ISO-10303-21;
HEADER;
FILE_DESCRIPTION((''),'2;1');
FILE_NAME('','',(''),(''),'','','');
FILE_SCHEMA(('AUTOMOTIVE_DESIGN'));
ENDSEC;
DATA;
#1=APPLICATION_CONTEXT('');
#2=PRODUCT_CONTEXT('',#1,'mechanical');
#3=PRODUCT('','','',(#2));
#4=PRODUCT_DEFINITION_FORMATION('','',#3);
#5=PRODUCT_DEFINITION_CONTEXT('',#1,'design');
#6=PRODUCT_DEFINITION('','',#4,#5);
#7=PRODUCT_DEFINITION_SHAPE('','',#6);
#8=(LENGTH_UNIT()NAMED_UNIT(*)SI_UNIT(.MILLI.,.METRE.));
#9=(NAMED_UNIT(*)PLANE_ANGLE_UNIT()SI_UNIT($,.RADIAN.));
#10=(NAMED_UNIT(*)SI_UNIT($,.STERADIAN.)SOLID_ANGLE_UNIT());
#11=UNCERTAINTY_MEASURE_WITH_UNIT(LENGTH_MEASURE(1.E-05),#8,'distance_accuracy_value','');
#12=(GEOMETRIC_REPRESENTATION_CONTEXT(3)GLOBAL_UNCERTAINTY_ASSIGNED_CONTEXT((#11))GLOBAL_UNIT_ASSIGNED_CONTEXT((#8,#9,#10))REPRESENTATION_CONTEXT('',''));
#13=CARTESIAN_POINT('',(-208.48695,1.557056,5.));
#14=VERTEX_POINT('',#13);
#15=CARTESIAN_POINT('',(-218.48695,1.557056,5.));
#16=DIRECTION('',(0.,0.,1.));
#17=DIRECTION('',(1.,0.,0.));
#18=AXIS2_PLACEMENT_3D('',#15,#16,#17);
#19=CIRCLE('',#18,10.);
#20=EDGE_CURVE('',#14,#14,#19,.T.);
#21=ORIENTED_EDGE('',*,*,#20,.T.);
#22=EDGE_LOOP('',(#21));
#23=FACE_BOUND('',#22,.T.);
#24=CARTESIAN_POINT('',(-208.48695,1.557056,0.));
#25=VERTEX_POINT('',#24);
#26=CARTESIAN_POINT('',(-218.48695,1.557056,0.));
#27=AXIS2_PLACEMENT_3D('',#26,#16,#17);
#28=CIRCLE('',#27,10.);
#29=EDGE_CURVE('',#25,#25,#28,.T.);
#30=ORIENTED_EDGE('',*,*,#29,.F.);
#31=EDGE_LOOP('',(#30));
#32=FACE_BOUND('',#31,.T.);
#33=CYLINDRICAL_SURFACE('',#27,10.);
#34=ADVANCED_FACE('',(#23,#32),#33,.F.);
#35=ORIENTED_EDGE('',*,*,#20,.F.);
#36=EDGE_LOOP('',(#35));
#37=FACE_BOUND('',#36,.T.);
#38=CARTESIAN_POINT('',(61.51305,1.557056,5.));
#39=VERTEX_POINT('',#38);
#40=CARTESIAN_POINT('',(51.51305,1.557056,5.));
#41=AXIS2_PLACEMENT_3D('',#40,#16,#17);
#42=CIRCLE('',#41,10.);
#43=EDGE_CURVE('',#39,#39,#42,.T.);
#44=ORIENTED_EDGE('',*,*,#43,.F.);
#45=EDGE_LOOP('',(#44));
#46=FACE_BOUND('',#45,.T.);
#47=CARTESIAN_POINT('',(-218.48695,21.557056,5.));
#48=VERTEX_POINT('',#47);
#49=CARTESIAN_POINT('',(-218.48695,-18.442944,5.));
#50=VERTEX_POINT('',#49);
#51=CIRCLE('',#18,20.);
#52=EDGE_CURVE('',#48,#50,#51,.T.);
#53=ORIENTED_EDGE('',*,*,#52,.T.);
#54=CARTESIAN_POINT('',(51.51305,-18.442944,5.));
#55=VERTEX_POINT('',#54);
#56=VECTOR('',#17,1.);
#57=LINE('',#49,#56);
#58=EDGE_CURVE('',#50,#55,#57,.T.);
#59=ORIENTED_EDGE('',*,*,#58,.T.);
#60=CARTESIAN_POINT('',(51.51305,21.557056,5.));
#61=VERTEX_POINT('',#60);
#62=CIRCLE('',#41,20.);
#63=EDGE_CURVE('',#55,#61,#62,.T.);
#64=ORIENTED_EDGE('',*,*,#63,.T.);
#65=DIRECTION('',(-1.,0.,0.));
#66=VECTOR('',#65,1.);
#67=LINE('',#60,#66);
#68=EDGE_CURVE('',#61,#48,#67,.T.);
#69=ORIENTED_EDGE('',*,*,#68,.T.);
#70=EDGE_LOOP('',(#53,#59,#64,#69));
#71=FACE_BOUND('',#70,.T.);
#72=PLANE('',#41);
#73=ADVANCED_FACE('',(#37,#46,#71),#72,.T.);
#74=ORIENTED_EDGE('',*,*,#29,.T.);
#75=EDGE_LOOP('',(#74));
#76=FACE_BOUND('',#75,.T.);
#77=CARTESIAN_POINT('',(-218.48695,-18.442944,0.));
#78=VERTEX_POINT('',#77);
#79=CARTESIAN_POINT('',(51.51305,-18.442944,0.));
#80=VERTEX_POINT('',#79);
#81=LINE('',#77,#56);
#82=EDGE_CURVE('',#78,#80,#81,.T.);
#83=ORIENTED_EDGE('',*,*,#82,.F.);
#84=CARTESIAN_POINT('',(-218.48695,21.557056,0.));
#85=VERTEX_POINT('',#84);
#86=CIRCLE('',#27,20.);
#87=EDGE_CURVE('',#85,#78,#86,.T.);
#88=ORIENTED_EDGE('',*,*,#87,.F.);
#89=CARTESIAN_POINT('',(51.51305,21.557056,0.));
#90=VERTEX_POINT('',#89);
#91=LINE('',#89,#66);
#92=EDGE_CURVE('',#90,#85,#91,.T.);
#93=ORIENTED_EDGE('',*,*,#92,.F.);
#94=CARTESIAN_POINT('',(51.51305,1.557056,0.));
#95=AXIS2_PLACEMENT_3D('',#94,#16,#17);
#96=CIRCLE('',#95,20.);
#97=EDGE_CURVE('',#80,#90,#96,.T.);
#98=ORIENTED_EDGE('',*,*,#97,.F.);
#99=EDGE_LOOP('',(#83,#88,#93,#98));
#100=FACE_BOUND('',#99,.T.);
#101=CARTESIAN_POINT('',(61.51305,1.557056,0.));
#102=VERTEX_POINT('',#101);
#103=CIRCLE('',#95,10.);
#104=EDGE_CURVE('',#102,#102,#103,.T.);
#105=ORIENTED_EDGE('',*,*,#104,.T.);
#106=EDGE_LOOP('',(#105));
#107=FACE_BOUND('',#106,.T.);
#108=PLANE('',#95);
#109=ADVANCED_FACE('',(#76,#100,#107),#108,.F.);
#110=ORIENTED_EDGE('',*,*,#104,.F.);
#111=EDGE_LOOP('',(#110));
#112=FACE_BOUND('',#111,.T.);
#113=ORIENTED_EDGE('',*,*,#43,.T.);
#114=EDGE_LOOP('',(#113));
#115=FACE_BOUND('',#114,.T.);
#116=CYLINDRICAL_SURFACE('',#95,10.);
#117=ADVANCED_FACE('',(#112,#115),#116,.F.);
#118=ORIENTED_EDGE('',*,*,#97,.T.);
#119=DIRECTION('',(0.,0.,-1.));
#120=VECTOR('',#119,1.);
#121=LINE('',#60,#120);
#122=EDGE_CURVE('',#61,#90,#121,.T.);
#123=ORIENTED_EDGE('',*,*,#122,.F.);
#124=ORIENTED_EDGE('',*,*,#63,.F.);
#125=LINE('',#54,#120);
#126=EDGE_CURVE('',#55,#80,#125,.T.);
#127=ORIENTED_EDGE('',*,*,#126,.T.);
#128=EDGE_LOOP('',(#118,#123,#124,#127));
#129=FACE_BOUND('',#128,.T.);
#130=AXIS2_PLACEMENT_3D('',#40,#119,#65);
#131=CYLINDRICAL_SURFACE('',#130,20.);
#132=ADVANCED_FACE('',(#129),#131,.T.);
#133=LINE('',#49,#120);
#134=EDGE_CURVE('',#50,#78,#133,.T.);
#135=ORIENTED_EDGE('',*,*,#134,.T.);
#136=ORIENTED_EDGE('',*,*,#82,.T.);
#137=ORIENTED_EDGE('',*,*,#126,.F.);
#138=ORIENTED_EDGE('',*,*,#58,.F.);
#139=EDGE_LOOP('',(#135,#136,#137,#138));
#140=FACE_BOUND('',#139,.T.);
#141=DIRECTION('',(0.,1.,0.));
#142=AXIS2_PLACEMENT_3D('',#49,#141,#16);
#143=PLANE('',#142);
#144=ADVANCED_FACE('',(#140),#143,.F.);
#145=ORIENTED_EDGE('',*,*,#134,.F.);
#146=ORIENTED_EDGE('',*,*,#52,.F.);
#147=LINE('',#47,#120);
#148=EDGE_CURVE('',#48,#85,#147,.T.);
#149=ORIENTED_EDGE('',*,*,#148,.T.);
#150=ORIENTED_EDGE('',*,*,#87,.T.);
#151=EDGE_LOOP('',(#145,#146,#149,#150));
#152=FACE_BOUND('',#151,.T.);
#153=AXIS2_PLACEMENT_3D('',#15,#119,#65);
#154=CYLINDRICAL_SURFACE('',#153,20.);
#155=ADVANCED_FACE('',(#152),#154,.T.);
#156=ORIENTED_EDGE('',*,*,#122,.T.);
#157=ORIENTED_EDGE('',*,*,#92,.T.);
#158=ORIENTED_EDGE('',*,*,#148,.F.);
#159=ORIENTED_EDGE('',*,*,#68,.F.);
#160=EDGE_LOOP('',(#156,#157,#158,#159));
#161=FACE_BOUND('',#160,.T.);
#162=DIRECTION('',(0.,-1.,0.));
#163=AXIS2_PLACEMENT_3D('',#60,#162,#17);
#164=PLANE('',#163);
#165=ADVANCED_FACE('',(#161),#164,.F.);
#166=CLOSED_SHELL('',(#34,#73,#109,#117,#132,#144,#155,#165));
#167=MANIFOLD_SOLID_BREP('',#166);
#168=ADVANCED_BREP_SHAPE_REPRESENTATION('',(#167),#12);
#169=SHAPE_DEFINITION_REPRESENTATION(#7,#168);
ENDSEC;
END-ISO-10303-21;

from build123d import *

# Parameters (mm, degrees)
EXTRUDE1_DEPTH     = 5
SKETCH2_R          = 10
CUT_EXTRUDE1_DEPTH = 6


with BuildPart() as part:
    # Sketch1 → Extrude1 (new body)
    with BuildSketch(Plane.XY):
        with BuildLine():
            Line((51.513050076, 21.557056146), (-218.486949924, 21.557056146))
            ThreePointArc((-218.486949924, 21.557056146), (-238.486949924, 1.557056146), (-218.486949924, -18.442943854))
            Line((-218.486949924, -18.442943854), (51.513050076, -18.442943854))
            ThreePointArc((51.513050076, -18.442943854), (71.513050076, 1.557056146), (51.513050076, 21.557056146))
        make_face()
    extrude(amount=EXTRUDE1_DEPTH)

    # Sketch2 → Cut-Extrude1 (cut, through all)
    with BuildSketch(Plane.XY.offset(5)):
        with Locations((-218.486949924, 1.557056146)):
            Circle(SKETCH2_R)
        with Locations((51.513050076, 1.557056146)):
            Circle(SKETCH2_R)
    extrude(amount=-CUT_EXTRUDE1_DEPTH, mode=Mode.SUBTRACT)


solid = part.part
